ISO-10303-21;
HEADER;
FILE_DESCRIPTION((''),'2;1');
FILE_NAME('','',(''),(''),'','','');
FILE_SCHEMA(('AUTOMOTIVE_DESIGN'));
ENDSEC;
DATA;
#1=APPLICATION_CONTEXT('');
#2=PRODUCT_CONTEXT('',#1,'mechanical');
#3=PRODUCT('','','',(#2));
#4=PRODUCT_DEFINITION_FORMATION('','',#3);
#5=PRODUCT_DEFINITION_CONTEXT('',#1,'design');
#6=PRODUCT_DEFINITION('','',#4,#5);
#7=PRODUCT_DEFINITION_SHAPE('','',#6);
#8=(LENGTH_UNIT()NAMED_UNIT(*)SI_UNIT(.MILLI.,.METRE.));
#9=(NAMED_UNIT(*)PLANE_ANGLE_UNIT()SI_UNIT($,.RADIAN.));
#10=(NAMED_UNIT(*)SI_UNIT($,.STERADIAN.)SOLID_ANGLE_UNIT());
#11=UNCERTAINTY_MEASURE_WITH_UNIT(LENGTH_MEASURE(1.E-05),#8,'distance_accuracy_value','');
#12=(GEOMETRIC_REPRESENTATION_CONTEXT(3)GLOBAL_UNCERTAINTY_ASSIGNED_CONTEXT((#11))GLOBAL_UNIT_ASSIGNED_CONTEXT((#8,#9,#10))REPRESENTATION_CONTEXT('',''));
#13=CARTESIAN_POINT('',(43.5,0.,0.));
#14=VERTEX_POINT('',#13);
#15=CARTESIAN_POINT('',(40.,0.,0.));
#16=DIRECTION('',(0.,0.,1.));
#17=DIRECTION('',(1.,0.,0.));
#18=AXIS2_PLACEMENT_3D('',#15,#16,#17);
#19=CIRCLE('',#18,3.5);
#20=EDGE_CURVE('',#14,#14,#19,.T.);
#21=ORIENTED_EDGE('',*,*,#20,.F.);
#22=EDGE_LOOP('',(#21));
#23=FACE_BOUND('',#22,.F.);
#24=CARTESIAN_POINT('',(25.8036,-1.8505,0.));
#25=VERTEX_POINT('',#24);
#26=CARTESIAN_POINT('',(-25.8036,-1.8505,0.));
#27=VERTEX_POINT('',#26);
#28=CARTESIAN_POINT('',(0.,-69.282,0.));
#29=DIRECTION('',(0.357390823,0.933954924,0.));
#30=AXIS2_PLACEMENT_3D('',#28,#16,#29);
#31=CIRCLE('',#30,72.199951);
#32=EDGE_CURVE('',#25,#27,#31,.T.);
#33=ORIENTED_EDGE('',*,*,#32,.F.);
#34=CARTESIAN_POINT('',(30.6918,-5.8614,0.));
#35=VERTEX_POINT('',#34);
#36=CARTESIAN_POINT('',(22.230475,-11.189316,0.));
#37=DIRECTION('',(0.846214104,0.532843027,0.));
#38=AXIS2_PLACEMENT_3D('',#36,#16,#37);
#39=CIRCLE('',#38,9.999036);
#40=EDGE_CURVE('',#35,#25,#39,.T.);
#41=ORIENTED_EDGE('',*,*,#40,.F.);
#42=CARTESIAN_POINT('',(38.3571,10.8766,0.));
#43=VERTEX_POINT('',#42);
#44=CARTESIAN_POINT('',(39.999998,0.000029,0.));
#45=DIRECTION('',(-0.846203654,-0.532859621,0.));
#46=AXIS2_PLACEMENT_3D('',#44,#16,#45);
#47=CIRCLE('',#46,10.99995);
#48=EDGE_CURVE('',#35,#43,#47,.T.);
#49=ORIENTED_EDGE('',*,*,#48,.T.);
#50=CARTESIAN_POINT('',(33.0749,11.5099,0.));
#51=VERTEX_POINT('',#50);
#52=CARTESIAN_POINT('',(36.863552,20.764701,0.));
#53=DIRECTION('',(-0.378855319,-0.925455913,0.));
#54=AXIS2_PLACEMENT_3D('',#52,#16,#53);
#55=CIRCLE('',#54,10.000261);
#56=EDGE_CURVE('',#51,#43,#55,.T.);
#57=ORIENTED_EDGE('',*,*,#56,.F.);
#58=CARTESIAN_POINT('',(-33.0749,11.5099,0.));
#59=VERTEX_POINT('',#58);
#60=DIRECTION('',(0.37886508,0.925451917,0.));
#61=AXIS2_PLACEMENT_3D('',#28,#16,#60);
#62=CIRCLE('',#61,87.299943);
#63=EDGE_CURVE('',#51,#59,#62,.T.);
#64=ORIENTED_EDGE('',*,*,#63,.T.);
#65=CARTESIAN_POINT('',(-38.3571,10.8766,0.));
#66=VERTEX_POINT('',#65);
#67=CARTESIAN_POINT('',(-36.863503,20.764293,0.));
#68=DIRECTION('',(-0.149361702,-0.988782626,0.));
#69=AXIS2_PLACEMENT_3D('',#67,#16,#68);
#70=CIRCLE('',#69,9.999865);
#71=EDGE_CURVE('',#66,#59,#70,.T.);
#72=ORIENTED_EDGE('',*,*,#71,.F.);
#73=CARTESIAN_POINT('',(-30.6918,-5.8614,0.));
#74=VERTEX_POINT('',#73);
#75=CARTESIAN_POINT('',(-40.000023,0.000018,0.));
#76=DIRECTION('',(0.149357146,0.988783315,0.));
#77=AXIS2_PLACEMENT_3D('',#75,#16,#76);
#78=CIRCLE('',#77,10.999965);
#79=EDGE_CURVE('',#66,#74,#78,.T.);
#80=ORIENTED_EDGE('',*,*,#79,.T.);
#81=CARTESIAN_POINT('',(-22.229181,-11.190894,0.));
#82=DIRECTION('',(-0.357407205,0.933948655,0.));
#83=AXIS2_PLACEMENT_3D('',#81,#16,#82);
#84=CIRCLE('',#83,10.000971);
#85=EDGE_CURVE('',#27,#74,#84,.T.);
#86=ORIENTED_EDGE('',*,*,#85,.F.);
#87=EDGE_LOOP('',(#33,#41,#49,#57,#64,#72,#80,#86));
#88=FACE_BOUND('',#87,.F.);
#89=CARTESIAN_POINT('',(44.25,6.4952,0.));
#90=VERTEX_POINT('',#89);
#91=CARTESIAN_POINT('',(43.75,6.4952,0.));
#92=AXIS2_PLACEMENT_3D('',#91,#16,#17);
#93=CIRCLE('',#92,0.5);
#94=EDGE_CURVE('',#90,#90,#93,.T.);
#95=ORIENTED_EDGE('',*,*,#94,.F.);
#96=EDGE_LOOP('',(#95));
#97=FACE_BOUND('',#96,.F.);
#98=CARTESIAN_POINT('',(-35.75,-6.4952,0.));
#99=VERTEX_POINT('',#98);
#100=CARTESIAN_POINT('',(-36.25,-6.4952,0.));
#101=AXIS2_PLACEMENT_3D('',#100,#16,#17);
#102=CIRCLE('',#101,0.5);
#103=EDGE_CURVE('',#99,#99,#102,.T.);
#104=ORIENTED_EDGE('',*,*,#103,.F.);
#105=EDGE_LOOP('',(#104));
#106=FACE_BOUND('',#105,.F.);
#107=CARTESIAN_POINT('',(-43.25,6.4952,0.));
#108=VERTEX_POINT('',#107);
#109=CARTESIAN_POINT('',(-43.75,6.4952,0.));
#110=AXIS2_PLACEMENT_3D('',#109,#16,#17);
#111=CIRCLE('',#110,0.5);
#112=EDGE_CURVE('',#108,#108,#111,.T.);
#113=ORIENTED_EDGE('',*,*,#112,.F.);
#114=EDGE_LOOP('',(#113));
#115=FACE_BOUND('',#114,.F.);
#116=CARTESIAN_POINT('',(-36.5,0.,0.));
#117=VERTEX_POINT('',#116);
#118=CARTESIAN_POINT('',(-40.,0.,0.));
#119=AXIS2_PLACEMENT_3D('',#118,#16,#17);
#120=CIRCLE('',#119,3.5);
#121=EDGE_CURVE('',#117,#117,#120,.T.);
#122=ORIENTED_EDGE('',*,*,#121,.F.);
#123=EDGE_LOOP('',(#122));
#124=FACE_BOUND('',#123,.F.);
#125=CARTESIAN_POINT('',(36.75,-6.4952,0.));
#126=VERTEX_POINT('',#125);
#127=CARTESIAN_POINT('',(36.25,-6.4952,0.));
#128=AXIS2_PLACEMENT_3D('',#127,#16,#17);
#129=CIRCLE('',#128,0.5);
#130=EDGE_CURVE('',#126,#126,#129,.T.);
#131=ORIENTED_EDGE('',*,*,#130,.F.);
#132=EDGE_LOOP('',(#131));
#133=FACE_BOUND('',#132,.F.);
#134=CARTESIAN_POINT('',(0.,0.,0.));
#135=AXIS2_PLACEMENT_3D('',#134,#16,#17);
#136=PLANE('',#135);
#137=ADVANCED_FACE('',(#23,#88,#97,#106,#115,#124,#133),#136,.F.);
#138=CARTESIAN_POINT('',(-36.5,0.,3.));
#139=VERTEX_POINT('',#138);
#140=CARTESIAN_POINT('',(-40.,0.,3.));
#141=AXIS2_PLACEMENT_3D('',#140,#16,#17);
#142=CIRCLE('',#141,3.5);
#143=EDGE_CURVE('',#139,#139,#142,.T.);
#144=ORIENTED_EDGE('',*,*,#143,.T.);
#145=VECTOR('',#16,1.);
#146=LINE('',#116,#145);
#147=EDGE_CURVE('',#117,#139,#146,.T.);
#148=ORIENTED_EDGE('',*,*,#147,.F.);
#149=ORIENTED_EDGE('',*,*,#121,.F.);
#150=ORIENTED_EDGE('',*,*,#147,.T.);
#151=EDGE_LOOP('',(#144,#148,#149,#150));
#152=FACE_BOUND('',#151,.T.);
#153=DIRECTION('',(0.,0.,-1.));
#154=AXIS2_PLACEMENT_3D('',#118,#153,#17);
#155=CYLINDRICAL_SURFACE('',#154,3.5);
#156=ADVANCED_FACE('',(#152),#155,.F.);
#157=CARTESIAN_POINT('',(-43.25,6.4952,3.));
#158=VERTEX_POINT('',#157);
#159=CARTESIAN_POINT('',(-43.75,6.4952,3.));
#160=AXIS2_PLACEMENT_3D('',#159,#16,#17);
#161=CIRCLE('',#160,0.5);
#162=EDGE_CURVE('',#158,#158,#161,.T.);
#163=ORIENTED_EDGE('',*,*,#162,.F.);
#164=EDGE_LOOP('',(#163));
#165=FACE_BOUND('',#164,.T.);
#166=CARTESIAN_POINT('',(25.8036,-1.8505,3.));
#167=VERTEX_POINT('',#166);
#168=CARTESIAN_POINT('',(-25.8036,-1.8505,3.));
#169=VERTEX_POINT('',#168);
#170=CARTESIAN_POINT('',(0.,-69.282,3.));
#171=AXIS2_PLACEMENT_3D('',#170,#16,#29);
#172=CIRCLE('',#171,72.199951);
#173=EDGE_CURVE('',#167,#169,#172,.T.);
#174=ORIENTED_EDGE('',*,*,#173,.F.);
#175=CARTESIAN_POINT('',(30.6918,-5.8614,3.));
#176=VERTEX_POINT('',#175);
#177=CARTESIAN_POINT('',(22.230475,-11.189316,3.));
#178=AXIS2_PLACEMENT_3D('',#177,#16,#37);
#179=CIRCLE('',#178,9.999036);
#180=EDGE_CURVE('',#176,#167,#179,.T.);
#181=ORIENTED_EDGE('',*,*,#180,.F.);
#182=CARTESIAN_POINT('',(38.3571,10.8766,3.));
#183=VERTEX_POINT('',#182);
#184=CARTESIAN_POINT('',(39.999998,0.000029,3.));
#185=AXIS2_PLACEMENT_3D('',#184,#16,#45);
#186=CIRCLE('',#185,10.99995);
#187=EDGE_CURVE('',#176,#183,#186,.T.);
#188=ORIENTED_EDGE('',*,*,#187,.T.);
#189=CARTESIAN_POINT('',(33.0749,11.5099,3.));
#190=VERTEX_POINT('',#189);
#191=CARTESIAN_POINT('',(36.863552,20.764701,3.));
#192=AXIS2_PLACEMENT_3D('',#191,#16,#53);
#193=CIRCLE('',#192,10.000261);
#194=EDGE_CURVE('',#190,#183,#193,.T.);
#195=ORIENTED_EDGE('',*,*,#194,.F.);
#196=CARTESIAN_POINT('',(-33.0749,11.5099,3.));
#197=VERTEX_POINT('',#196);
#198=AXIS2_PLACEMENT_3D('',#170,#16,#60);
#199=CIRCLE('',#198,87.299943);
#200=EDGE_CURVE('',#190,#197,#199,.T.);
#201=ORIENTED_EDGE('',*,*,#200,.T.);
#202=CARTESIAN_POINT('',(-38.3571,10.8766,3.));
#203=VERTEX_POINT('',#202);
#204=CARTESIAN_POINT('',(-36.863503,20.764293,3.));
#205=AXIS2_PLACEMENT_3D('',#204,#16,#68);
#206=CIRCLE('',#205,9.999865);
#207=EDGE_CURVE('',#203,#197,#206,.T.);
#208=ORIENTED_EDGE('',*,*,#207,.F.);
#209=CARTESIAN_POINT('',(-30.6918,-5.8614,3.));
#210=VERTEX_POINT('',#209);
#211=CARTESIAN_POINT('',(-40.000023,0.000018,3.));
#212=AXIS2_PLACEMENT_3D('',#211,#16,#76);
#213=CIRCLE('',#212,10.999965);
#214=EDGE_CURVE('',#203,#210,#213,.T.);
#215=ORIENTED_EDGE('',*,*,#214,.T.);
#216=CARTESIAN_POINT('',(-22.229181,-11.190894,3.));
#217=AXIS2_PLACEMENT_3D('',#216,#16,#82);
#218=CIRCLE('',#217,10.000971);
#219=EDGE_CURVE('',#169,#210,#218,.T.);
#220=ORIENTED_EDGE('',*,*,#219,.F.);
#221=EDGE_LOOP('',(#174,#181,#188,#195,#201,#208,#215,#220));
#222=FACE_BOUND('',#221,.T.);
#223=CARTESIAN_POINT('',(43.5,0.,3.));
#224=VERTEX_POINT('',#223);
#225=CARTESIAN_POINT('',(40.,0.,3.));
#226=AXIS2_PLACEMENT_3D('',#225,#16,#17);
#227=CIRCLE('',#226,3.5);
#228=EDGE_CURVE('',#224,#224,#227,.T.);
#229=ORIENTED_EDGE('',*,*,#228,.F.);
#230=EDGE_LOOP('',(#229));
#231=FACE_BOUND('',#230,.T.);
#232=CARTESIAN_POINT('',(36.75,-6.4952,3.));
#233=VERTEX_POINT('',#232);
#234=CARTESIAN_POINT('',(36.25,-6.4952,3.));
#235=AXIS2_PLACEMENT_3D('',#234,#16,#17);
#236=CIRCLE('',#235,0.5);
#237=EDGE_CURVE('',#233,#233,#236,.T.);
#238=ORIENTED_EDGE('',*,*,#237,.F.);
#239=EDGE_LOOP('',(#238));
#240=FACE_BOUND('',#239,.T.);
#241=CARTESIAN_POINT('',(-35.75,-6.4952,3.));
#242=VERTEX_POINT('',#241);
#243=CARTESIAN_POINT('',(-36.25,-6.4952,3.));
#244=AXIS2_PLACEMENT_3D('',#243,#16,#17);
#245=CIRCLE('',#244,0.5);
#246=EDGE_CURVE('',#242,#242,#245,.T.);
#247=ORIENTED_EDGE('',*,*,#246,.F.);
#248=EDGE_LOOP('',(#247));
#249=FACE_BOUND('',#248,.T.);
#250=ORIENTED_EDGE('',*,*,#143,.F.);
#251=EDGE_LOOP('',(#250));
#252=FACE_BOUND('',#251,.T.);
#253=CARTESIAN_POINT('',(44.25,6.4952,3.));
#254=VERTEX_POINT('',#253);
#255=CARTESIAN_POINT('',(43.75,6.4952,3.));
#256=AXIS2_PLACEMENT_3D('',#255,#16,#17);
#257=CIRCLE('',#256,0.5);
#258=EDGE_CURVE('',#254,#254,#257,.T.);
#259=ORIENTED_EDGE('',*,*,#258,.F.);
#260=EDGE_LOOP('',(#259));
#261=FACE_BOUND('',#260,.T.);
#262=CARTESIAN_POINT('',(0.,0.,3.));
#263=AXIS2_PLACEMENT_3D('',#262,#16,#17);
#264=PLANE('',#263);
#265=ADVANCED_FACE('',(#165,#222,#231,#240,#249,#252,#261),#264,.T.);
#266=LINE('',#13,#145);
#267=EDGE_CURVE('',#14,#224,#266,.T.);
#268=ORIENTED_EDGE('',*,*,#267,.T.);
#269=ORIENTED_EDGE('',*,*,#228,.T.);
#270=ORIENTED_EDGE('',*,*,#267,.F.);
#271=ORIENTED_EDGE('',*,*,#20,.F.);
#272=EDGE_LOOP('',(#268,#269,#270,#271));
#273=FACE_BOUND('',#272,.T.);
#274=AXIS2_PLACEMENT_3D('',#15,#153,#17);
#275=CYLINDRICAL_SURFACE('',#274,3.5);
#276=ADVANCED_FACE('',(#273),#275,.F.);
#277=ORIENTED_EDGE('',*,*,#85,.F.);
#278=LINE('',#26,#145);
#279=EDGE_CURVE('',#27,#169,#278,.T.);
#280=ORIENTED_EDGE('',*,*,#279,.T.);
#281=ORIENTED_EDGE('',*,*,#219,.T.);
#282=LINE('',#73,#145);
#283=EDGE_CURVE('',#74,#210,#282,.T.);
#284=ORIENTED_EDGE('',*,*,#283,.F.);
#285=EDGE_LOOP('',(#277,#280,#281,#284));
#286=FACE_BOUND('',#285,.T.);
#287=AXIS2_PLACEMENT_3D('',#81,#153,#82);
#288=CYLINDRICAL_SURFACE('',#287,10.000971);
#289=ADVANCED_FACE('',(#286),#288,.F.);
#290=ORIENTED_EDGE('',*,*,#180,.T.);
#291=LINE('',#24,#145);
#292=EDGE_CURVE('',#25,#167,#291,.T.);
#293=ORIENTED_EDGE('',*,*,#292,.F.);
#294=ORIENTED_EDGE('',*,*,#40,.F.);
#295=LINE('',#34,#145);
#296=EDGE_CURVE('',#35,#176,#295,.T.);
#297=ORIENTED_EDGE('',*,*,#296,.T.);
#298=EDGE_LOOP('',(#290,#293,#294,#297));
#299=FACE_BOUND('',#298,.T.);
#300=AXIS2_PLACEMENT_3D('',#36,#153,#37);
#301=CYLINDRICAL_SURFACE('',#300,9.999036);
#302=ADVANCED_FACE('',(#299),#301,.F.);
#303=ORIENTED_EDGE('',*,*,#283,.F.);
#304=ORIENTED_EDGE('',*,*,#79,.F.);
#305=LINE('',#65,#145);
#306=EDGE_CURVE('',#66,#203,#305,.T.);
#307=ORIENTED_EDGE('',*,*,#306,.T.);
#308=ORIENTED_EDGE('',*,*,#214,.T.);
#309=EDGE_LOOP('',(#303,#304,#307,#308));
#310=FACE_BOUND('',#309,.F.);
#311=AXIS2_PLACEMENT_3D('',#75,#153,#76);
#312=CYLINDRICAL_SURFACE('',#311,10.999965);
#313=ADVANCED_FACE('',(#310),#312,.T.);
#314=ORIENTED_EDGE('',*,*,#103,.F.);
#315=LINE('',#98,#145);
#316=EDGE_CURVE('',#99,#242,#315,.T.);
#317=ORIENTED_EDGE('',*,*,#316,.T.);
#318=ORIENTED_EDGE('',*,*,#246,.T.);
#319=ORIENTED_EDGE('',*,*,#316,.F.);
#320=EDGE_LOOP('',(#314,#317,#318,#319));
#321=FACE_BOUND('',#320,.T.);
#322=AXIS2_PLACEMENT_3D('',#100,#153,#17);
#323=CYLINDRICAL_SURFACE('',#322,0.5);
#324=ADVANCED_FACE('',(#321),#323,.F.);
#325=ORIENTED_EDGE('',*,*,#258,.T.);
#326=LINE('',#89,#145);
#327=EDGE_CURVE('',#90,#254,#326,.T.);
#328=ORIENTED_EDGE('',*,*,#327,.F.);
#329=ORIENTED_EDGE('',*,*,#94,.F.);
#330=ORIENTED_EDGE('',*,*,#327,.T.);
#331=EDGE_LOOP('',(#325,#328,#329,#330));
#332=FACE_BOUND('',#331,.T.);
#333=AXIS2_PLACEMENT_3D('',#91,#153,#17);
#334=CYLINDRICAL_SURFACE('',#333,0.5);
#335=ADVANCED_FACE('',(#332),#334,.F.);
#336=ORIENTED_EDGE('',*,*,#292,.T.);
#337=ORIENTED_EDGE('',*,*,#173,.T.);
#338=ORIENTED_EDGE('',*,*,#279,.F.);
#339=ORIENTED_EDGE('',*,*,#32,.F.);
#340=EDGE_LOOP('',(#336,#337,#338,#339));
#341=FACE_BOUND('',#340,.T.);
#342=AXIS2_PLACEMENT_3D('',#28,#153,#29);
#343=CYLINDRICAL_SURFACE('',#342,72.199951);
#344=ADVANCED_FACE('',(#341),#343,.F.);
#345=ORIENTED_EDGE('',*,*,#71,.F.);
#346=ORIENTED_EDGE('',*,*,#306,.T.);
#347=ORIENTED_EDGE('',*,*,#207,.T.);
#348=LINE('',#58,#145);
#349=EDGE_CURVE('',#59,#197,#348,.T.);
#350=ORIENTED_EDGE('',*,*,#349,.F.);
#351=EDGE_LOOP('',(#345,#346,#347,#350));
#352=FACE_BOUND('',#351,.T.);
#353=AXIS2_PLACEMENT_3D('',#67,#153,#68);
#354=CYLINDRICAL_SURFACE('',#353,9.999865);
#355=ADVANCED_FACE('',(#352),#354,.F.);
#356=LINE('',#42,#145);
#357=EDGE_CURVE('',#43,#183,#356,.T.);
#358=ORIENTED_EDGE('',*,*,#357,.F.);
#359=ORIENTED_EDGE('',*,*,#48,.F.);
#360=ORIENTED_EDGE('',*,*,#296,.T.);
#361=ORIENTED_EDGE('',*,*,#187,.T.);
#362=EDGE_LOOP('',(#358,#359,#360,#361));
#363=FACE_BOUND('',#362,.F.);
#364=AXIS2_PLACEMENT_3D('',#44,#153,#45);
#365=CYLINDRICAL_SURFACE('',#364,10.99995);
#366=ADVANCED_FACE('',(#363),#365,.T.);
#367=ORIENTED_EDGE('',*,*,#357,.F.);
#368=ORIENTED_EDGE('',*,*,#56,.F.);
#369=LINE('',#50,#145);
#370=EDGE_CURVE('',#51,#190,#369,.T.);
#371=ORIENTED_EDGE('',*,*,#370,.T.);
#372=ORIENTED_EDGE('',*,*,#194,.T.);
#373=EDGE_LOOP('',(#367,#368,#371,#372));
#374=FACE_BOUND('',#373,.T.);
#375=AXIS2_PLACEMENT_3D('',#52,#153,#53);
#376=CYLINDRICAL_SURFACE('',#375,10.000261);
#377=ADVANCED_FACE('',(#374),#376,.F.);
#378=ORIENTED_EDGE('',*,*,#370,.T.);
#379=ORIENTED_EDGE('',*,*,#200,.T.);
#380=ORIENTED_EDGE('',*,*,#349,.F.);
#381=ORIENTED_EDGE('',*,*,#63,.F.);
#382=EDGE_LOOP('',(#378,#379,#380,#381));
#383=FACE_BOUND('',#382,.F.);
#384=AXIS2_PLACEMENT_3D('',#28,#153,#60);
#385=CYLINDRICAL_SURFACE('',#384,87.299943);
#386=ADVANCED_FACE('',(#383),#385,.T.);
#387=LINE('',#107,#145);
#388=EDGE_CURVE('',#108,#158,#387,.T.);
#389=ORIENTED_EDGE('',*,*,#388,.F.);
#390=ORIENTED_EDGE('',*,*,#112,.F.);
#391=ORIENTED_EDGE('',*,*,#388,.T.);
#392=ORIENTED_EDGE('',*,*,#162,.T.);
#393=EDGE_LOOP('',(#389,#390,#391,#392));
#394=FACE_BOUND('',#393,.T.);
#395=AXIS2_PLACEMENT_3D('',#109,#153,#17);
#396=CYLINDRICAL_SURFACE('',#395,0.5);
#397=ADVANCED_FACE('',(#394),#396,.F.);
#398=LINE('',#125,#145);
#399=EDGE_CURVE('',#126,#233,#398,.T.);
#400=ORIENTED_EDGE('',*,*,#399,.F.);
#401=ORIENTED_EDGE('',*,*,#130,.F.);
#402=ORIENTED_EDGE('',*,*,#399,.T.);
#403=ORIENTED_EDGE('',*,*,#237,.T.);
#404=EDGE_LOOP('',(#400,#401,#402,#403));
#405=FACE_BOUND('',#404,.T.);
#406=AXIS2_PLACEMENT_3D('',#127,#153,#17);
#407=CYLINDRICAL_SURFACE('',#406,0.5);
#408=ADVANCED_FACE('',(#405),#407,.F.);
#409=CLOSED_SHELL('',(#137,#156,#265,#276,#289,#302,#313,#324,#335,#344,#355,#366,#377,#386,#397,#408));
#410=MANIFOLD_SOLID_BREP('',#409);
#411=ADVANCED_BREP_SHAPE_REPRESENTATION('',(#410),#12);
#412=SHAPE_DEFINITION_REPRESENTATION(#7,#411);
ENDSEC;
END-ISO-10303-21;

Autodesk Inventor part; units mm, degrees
ref_plane "YZ Plane" through (0, 0, 0) normal (1, 0, 0) x (0, 1, 0)
ref_plane "XZ Plane" through (0, 0, 0) normal (0, 1, 0) x (-1, 0, 0)
ref_plane "XY Plane" through (0, 0, 0) normal (0, 0, 1) x (1, 0, 0)
sketch "Sketch1" plane through (0, 0, 0) normal (0, 0, 1) x (1, 0, 0)
  line L0 (0, 107) -> (0, -103) construction
  line L1 (-117, 0) -> (116, 0) construction
  arc A0 (-38.3571, 10.8766) -> (-30.6918, -5.8614) centre (-40, 0) ccw
  arc A1 (30.6918, -5.8614) -> (38.3571, 10.8766) centre (40, 0) ccw
  arc A2 (40, 0) -> (-40, 0) centre (0, -69.282) ccw construction
  line L2 (-40, 13) -> (-40, -15) construction
  line L3 (40, 13) -> (40, -15) construction
  arc A3 (25.8036, -1.8505) -> (-25.8036, -1.8505) centre (0, -69.282) ccw
  arc A4 (33.0749, 11.5099) -> (-33.0749, 11.5099) centre (0, -69.282) ccw
  arc A5 (-38.3571, 10.8766) -> (-33.0749, 11.5099) centre (-36.8635, 20.7645) ccw
  arc A6 (-25.8036, -1.8505) -> (-30.6918, -5.8614) centre (-22.2297, -11.19) ccw
  arc A7 (33.0749, 11.5099) -> (38.3571, 10.8766) centre (36.8635, 20.7645) ccw
  arc A8 (30.6918, -5.8614) -> (25.8036, -1.8505) centre (22.2297, -11.19) ccw
  line L4 (-39.7655, 0.1354) -> (-60.5453, -11.8618) construction
  line L5 (-46.3958, 11.0778) -> (-33.6042, -11.0778) construction
  circle A9 centre (-43.75, 6.4952) radius 0.5
  circle A10 centre (-36.25, -6.4952) radius 0.5
  circle A11 centre (43.75, 6.4952) radius 0.5
  circle A12 centre (36.25, -6.4952) radius 0.5
  circle A13 centre (-40, 0) radius 3.5
  circle A14 centre (40, 0) radius 3.5
  point P0 (0, 0)
  dimension "d0" = 22
  dimension "d1" = 40
  dimension "d2" = 80
  dimension "d6" = 10
  dimension "d7" = 72.2
  dimension "d8" = 87.3
  dimension "d9" = 1
  dimension "d10" = 7.5
  dimension "d11" = 7
extrude "Extrusion1" add sketch "Sketch1" along normal blind 3
properties part number "Femur"
